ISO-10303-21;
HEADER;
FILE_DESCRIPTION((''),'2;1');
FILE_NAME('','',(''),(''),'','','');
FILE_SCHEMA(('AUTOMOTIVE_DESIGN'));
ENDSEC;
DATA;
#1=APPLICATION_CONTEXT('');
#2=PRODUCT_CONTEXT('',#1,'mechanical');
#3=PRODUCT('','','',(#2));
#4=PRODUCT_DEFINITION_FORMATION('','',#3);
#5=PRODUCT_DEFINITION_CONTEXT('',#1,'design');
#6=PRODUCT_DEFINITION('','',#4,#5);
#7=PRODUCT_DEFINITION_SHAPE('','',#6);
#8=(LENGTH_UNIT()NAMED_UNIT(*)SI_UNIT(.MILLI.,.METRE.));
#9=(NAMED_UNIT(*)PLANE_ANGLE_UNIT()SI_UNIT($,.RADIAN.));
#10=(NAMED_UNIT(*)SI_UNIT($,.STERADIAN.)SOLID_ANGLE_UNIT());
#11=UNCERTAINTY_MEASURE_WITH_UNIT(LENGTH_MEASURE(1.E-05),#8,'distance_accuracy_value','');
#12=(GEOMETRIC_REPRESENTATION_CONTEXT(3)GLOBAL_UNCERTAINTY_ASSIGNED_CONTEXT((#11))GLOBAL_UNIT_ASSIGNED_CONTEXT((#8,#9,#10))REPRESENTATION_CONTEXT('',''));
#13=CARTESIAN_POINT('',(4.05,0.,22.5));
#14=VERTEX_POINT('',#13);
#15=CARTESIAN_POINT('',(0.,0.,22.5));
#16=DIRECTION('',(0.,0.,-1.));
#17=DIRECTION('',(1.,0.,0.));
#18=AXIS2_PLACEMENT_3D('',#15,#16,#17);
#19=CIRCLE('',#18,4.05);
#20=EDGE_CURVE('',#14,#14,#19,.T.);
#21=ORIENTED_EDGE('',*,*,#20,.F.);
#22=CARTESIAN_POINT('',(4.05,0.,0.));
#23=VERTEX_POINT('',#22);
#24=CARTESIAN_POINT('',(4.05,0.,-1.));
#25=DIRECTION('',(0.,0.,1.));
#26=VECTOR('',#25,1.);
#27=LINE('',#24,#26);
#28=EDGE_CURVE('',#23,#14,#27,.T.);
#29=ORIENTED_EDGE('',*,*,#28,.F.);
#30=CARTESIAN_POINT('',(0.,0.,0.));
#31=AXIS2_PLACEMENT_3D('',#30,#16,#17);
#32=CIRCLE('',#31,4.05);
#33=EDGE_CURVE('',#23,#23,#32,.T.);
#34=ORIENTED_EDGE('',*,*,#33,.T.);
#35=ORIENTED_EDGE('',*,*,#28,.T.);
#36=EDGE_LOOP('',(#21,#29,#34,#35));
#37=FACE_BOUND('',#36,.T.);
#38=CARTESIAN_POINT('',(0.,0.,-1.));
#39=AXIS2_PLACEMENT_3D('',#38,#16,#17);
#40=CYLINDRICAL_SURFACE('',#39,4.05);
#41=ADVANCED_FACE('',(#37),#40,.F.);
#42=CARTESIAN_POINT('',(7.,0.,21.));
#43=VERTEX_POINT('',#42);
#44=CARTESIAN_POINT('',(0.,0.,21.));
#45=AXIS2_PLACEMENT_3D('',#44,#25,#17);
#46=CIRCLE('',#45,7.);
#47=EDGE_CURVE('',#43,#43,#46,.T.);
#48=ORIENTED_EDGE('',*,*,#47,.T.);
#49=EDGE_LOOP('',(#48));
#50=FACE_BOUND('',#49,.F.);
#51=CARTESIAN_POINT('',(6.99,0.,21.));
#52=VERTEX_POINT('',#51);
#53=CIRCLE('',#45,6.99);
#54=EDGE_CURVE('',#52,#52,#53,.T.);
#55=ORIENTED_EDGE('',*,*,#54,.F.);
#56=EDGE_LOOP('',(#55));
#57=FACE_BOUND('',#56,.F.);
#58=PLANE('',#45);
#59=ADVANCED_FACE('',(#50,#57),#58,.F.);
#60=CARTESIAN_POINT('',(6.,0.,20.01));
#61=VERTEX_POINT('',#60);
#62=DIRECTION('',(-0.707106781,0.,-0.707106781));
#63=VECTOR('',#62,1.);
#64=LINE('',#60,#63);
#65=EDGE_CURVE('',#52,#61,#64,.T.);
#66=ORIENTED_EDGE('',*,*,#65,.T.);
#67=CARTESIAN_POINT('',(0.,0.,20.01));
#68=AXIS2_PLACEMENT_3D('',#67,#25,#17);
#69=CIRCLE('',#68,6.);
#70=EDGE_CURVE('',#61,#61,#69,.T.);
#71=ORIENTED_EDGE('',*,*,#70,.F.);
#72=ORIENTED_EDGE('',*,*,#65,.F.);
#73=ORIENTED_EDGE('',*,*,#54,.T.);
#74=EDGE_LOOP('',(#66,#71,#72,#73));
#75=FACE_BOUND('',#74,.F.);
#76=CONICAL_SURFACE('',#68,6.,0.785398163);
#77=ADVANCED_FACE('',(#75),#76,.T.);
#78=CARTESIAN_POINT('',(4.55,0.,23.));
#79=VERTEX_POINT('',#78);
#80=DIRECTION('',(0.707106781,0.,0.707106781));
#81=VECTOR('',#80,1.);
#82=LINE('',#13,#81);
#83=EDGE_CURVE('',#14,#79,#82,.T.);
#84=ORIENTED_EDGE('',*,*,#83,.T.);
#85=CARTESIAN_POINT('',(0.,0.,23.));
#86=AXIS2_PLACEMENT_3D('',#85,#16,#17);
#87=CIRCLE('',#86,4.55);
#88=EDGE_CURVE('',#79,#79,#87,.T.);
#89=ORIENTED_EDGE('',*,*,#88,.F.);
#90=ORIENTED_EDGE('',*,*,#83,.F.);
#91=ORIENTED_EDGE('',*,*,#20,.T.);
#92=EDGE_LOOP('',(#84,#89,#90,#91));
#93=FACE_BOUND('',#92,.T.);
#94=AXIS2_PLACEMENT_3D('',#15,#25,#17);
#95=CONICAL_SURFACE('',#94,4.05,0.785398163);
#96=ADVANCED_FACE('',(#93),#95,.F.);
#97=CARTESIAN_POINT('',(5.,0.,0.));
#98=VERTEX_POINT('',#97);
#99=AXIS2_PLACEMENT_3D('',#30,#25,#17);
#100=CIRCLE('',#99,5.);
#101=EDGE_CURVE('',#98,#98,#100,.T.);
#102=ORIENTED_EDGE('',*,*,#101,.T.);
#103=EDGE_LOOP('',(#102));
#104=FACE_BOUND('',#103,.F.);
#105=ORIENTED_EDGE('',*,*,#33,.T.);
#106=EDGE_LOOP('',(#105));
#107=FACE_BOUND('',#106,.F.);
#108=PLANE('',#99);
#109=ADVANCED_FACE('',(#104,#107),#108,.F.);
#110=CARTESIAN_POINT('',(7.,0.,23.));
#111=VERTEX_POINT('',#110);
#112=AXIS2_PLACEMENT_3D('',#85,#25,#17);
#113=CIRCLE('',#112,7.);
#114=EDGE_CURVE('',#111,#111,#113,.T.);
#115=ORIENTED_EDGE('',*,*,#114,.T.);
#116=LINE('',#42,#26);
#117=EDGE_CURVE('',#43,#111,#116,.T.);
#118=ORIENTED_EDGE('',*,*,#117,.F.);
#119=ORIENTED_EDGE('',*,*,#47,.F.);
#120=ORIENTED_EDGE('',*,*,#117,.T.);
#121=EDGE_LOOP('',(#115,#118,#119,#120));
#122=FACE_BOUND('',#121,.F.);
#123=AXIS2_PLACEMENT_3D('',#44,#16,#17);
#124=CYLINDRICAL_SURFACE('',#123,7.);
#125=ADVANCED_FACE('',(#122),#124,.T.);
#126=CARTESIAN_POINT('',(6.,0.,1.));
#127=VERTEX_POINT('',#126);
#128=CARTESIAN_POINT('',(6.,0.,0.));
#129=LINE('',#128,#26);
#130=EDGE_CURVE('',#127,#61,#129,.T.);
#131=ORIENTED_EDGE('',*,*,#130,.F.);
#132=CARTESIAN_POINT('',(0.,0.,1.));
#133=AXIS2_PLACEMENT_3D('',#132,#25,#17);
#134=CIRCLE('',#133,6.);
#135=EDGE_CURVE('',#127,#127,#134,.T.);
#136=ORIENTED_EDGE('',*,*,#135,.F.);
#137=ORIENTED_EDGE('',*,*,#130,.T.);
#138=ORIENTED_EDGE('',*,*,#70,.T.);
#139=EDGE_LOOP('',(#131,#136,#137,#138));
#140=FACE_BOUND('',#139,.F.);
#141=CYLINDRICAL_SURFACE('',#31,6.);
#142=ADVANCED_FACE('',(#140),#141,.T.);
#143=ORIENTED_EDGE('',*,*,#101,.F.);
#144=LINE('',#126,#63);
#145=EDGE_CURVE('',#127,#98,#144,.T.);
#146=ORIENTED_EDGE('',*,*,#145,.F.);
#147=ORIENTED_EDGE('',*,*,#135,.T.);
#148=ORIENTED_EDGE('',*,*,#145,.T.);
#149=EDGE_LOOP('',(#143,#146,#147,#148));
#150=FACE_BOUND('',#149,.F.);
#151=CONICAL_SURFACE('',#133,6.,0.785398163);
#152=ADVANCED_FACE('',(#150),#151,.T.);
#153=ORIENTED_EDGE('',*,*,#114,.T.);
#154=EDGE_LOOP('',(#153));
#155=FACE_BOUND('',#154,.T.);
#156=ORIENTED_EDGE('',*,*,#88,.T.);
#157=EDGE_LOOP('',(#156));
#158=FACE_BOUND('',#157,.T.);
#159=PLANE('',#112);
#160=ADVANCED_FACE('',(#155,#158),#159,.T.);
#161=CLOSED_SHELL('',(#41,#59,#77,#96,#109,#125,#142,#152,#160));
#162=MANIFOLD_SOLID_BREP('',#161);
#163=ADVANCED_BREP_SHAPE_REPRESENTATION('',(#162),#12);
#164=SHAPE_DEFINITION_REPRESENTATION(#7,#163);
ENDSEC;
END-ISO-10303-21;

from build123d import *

# Parameters (mm, degrees)
CYLINDER001_R     = 4.05
CYLINDER001_DEPTH = 28
CYLINDER_R        = 6
CYLINDER_DEPTH    = 21
SKETCH_R          = 7
PAD_DEPTH         = 2
CHAMFER_SIZE      = 0.99
CHAMFER001_SIZE   = 1
CHAMFER002_SIZE   = 0.5


with BuildPart() as cilindro001:
    # Cylinder001 → Cylinder001 (new body)
    with BuildSketch(Plane.XY.offset(-1)):
        Circle(CYLINDER001_R)
    extrude(amount=CYLINDER001_DEPTH)


with BuildPart() as chamfer002:
    # Cylinder → Cylinder (new body)
    with BuildSketch(Plane.XY):
        Circle(CYLINDER_R)
    extrude(amount=CYLINDER_DEPTH)

    # Sketch → Pad (new body)
    with BuildSketch(Plane.XY.offset(21)):
        Circle(SKETCH_R)
    extrude(amount=PAD_DEPTH)

    # Cut: cut Cilindro001
    add(cilindro001.part, mode=Mode.SUBTRACT)

    # Chamfer
    chamfer_edges = [chamfer002.edges().sort_by_distance(p)[0] for p in [
        (-6, 0, 21),
    ]]
    chamfer(chamfer_edges, length=CHAMFER_SIZE)

    # Chamfer001
    chamfer001_edges = [chamfer002.edges().sort_by_distance(p)[0] for p in [
        (-6, 0, 0),
    ]]
    chamfer(chamfer001_edges, length=CHAMFER001_SIZE)

    # Chamfer002
    chamfer002_edges = [chamfer002.edges().sort_by_distance(p)[0] for p in [
        (-4.05, 0, 23),
    ]]
    chamfer(chamfer002_edges, length=CHAMFER002_SIZE)


solid = chamfer002.part
